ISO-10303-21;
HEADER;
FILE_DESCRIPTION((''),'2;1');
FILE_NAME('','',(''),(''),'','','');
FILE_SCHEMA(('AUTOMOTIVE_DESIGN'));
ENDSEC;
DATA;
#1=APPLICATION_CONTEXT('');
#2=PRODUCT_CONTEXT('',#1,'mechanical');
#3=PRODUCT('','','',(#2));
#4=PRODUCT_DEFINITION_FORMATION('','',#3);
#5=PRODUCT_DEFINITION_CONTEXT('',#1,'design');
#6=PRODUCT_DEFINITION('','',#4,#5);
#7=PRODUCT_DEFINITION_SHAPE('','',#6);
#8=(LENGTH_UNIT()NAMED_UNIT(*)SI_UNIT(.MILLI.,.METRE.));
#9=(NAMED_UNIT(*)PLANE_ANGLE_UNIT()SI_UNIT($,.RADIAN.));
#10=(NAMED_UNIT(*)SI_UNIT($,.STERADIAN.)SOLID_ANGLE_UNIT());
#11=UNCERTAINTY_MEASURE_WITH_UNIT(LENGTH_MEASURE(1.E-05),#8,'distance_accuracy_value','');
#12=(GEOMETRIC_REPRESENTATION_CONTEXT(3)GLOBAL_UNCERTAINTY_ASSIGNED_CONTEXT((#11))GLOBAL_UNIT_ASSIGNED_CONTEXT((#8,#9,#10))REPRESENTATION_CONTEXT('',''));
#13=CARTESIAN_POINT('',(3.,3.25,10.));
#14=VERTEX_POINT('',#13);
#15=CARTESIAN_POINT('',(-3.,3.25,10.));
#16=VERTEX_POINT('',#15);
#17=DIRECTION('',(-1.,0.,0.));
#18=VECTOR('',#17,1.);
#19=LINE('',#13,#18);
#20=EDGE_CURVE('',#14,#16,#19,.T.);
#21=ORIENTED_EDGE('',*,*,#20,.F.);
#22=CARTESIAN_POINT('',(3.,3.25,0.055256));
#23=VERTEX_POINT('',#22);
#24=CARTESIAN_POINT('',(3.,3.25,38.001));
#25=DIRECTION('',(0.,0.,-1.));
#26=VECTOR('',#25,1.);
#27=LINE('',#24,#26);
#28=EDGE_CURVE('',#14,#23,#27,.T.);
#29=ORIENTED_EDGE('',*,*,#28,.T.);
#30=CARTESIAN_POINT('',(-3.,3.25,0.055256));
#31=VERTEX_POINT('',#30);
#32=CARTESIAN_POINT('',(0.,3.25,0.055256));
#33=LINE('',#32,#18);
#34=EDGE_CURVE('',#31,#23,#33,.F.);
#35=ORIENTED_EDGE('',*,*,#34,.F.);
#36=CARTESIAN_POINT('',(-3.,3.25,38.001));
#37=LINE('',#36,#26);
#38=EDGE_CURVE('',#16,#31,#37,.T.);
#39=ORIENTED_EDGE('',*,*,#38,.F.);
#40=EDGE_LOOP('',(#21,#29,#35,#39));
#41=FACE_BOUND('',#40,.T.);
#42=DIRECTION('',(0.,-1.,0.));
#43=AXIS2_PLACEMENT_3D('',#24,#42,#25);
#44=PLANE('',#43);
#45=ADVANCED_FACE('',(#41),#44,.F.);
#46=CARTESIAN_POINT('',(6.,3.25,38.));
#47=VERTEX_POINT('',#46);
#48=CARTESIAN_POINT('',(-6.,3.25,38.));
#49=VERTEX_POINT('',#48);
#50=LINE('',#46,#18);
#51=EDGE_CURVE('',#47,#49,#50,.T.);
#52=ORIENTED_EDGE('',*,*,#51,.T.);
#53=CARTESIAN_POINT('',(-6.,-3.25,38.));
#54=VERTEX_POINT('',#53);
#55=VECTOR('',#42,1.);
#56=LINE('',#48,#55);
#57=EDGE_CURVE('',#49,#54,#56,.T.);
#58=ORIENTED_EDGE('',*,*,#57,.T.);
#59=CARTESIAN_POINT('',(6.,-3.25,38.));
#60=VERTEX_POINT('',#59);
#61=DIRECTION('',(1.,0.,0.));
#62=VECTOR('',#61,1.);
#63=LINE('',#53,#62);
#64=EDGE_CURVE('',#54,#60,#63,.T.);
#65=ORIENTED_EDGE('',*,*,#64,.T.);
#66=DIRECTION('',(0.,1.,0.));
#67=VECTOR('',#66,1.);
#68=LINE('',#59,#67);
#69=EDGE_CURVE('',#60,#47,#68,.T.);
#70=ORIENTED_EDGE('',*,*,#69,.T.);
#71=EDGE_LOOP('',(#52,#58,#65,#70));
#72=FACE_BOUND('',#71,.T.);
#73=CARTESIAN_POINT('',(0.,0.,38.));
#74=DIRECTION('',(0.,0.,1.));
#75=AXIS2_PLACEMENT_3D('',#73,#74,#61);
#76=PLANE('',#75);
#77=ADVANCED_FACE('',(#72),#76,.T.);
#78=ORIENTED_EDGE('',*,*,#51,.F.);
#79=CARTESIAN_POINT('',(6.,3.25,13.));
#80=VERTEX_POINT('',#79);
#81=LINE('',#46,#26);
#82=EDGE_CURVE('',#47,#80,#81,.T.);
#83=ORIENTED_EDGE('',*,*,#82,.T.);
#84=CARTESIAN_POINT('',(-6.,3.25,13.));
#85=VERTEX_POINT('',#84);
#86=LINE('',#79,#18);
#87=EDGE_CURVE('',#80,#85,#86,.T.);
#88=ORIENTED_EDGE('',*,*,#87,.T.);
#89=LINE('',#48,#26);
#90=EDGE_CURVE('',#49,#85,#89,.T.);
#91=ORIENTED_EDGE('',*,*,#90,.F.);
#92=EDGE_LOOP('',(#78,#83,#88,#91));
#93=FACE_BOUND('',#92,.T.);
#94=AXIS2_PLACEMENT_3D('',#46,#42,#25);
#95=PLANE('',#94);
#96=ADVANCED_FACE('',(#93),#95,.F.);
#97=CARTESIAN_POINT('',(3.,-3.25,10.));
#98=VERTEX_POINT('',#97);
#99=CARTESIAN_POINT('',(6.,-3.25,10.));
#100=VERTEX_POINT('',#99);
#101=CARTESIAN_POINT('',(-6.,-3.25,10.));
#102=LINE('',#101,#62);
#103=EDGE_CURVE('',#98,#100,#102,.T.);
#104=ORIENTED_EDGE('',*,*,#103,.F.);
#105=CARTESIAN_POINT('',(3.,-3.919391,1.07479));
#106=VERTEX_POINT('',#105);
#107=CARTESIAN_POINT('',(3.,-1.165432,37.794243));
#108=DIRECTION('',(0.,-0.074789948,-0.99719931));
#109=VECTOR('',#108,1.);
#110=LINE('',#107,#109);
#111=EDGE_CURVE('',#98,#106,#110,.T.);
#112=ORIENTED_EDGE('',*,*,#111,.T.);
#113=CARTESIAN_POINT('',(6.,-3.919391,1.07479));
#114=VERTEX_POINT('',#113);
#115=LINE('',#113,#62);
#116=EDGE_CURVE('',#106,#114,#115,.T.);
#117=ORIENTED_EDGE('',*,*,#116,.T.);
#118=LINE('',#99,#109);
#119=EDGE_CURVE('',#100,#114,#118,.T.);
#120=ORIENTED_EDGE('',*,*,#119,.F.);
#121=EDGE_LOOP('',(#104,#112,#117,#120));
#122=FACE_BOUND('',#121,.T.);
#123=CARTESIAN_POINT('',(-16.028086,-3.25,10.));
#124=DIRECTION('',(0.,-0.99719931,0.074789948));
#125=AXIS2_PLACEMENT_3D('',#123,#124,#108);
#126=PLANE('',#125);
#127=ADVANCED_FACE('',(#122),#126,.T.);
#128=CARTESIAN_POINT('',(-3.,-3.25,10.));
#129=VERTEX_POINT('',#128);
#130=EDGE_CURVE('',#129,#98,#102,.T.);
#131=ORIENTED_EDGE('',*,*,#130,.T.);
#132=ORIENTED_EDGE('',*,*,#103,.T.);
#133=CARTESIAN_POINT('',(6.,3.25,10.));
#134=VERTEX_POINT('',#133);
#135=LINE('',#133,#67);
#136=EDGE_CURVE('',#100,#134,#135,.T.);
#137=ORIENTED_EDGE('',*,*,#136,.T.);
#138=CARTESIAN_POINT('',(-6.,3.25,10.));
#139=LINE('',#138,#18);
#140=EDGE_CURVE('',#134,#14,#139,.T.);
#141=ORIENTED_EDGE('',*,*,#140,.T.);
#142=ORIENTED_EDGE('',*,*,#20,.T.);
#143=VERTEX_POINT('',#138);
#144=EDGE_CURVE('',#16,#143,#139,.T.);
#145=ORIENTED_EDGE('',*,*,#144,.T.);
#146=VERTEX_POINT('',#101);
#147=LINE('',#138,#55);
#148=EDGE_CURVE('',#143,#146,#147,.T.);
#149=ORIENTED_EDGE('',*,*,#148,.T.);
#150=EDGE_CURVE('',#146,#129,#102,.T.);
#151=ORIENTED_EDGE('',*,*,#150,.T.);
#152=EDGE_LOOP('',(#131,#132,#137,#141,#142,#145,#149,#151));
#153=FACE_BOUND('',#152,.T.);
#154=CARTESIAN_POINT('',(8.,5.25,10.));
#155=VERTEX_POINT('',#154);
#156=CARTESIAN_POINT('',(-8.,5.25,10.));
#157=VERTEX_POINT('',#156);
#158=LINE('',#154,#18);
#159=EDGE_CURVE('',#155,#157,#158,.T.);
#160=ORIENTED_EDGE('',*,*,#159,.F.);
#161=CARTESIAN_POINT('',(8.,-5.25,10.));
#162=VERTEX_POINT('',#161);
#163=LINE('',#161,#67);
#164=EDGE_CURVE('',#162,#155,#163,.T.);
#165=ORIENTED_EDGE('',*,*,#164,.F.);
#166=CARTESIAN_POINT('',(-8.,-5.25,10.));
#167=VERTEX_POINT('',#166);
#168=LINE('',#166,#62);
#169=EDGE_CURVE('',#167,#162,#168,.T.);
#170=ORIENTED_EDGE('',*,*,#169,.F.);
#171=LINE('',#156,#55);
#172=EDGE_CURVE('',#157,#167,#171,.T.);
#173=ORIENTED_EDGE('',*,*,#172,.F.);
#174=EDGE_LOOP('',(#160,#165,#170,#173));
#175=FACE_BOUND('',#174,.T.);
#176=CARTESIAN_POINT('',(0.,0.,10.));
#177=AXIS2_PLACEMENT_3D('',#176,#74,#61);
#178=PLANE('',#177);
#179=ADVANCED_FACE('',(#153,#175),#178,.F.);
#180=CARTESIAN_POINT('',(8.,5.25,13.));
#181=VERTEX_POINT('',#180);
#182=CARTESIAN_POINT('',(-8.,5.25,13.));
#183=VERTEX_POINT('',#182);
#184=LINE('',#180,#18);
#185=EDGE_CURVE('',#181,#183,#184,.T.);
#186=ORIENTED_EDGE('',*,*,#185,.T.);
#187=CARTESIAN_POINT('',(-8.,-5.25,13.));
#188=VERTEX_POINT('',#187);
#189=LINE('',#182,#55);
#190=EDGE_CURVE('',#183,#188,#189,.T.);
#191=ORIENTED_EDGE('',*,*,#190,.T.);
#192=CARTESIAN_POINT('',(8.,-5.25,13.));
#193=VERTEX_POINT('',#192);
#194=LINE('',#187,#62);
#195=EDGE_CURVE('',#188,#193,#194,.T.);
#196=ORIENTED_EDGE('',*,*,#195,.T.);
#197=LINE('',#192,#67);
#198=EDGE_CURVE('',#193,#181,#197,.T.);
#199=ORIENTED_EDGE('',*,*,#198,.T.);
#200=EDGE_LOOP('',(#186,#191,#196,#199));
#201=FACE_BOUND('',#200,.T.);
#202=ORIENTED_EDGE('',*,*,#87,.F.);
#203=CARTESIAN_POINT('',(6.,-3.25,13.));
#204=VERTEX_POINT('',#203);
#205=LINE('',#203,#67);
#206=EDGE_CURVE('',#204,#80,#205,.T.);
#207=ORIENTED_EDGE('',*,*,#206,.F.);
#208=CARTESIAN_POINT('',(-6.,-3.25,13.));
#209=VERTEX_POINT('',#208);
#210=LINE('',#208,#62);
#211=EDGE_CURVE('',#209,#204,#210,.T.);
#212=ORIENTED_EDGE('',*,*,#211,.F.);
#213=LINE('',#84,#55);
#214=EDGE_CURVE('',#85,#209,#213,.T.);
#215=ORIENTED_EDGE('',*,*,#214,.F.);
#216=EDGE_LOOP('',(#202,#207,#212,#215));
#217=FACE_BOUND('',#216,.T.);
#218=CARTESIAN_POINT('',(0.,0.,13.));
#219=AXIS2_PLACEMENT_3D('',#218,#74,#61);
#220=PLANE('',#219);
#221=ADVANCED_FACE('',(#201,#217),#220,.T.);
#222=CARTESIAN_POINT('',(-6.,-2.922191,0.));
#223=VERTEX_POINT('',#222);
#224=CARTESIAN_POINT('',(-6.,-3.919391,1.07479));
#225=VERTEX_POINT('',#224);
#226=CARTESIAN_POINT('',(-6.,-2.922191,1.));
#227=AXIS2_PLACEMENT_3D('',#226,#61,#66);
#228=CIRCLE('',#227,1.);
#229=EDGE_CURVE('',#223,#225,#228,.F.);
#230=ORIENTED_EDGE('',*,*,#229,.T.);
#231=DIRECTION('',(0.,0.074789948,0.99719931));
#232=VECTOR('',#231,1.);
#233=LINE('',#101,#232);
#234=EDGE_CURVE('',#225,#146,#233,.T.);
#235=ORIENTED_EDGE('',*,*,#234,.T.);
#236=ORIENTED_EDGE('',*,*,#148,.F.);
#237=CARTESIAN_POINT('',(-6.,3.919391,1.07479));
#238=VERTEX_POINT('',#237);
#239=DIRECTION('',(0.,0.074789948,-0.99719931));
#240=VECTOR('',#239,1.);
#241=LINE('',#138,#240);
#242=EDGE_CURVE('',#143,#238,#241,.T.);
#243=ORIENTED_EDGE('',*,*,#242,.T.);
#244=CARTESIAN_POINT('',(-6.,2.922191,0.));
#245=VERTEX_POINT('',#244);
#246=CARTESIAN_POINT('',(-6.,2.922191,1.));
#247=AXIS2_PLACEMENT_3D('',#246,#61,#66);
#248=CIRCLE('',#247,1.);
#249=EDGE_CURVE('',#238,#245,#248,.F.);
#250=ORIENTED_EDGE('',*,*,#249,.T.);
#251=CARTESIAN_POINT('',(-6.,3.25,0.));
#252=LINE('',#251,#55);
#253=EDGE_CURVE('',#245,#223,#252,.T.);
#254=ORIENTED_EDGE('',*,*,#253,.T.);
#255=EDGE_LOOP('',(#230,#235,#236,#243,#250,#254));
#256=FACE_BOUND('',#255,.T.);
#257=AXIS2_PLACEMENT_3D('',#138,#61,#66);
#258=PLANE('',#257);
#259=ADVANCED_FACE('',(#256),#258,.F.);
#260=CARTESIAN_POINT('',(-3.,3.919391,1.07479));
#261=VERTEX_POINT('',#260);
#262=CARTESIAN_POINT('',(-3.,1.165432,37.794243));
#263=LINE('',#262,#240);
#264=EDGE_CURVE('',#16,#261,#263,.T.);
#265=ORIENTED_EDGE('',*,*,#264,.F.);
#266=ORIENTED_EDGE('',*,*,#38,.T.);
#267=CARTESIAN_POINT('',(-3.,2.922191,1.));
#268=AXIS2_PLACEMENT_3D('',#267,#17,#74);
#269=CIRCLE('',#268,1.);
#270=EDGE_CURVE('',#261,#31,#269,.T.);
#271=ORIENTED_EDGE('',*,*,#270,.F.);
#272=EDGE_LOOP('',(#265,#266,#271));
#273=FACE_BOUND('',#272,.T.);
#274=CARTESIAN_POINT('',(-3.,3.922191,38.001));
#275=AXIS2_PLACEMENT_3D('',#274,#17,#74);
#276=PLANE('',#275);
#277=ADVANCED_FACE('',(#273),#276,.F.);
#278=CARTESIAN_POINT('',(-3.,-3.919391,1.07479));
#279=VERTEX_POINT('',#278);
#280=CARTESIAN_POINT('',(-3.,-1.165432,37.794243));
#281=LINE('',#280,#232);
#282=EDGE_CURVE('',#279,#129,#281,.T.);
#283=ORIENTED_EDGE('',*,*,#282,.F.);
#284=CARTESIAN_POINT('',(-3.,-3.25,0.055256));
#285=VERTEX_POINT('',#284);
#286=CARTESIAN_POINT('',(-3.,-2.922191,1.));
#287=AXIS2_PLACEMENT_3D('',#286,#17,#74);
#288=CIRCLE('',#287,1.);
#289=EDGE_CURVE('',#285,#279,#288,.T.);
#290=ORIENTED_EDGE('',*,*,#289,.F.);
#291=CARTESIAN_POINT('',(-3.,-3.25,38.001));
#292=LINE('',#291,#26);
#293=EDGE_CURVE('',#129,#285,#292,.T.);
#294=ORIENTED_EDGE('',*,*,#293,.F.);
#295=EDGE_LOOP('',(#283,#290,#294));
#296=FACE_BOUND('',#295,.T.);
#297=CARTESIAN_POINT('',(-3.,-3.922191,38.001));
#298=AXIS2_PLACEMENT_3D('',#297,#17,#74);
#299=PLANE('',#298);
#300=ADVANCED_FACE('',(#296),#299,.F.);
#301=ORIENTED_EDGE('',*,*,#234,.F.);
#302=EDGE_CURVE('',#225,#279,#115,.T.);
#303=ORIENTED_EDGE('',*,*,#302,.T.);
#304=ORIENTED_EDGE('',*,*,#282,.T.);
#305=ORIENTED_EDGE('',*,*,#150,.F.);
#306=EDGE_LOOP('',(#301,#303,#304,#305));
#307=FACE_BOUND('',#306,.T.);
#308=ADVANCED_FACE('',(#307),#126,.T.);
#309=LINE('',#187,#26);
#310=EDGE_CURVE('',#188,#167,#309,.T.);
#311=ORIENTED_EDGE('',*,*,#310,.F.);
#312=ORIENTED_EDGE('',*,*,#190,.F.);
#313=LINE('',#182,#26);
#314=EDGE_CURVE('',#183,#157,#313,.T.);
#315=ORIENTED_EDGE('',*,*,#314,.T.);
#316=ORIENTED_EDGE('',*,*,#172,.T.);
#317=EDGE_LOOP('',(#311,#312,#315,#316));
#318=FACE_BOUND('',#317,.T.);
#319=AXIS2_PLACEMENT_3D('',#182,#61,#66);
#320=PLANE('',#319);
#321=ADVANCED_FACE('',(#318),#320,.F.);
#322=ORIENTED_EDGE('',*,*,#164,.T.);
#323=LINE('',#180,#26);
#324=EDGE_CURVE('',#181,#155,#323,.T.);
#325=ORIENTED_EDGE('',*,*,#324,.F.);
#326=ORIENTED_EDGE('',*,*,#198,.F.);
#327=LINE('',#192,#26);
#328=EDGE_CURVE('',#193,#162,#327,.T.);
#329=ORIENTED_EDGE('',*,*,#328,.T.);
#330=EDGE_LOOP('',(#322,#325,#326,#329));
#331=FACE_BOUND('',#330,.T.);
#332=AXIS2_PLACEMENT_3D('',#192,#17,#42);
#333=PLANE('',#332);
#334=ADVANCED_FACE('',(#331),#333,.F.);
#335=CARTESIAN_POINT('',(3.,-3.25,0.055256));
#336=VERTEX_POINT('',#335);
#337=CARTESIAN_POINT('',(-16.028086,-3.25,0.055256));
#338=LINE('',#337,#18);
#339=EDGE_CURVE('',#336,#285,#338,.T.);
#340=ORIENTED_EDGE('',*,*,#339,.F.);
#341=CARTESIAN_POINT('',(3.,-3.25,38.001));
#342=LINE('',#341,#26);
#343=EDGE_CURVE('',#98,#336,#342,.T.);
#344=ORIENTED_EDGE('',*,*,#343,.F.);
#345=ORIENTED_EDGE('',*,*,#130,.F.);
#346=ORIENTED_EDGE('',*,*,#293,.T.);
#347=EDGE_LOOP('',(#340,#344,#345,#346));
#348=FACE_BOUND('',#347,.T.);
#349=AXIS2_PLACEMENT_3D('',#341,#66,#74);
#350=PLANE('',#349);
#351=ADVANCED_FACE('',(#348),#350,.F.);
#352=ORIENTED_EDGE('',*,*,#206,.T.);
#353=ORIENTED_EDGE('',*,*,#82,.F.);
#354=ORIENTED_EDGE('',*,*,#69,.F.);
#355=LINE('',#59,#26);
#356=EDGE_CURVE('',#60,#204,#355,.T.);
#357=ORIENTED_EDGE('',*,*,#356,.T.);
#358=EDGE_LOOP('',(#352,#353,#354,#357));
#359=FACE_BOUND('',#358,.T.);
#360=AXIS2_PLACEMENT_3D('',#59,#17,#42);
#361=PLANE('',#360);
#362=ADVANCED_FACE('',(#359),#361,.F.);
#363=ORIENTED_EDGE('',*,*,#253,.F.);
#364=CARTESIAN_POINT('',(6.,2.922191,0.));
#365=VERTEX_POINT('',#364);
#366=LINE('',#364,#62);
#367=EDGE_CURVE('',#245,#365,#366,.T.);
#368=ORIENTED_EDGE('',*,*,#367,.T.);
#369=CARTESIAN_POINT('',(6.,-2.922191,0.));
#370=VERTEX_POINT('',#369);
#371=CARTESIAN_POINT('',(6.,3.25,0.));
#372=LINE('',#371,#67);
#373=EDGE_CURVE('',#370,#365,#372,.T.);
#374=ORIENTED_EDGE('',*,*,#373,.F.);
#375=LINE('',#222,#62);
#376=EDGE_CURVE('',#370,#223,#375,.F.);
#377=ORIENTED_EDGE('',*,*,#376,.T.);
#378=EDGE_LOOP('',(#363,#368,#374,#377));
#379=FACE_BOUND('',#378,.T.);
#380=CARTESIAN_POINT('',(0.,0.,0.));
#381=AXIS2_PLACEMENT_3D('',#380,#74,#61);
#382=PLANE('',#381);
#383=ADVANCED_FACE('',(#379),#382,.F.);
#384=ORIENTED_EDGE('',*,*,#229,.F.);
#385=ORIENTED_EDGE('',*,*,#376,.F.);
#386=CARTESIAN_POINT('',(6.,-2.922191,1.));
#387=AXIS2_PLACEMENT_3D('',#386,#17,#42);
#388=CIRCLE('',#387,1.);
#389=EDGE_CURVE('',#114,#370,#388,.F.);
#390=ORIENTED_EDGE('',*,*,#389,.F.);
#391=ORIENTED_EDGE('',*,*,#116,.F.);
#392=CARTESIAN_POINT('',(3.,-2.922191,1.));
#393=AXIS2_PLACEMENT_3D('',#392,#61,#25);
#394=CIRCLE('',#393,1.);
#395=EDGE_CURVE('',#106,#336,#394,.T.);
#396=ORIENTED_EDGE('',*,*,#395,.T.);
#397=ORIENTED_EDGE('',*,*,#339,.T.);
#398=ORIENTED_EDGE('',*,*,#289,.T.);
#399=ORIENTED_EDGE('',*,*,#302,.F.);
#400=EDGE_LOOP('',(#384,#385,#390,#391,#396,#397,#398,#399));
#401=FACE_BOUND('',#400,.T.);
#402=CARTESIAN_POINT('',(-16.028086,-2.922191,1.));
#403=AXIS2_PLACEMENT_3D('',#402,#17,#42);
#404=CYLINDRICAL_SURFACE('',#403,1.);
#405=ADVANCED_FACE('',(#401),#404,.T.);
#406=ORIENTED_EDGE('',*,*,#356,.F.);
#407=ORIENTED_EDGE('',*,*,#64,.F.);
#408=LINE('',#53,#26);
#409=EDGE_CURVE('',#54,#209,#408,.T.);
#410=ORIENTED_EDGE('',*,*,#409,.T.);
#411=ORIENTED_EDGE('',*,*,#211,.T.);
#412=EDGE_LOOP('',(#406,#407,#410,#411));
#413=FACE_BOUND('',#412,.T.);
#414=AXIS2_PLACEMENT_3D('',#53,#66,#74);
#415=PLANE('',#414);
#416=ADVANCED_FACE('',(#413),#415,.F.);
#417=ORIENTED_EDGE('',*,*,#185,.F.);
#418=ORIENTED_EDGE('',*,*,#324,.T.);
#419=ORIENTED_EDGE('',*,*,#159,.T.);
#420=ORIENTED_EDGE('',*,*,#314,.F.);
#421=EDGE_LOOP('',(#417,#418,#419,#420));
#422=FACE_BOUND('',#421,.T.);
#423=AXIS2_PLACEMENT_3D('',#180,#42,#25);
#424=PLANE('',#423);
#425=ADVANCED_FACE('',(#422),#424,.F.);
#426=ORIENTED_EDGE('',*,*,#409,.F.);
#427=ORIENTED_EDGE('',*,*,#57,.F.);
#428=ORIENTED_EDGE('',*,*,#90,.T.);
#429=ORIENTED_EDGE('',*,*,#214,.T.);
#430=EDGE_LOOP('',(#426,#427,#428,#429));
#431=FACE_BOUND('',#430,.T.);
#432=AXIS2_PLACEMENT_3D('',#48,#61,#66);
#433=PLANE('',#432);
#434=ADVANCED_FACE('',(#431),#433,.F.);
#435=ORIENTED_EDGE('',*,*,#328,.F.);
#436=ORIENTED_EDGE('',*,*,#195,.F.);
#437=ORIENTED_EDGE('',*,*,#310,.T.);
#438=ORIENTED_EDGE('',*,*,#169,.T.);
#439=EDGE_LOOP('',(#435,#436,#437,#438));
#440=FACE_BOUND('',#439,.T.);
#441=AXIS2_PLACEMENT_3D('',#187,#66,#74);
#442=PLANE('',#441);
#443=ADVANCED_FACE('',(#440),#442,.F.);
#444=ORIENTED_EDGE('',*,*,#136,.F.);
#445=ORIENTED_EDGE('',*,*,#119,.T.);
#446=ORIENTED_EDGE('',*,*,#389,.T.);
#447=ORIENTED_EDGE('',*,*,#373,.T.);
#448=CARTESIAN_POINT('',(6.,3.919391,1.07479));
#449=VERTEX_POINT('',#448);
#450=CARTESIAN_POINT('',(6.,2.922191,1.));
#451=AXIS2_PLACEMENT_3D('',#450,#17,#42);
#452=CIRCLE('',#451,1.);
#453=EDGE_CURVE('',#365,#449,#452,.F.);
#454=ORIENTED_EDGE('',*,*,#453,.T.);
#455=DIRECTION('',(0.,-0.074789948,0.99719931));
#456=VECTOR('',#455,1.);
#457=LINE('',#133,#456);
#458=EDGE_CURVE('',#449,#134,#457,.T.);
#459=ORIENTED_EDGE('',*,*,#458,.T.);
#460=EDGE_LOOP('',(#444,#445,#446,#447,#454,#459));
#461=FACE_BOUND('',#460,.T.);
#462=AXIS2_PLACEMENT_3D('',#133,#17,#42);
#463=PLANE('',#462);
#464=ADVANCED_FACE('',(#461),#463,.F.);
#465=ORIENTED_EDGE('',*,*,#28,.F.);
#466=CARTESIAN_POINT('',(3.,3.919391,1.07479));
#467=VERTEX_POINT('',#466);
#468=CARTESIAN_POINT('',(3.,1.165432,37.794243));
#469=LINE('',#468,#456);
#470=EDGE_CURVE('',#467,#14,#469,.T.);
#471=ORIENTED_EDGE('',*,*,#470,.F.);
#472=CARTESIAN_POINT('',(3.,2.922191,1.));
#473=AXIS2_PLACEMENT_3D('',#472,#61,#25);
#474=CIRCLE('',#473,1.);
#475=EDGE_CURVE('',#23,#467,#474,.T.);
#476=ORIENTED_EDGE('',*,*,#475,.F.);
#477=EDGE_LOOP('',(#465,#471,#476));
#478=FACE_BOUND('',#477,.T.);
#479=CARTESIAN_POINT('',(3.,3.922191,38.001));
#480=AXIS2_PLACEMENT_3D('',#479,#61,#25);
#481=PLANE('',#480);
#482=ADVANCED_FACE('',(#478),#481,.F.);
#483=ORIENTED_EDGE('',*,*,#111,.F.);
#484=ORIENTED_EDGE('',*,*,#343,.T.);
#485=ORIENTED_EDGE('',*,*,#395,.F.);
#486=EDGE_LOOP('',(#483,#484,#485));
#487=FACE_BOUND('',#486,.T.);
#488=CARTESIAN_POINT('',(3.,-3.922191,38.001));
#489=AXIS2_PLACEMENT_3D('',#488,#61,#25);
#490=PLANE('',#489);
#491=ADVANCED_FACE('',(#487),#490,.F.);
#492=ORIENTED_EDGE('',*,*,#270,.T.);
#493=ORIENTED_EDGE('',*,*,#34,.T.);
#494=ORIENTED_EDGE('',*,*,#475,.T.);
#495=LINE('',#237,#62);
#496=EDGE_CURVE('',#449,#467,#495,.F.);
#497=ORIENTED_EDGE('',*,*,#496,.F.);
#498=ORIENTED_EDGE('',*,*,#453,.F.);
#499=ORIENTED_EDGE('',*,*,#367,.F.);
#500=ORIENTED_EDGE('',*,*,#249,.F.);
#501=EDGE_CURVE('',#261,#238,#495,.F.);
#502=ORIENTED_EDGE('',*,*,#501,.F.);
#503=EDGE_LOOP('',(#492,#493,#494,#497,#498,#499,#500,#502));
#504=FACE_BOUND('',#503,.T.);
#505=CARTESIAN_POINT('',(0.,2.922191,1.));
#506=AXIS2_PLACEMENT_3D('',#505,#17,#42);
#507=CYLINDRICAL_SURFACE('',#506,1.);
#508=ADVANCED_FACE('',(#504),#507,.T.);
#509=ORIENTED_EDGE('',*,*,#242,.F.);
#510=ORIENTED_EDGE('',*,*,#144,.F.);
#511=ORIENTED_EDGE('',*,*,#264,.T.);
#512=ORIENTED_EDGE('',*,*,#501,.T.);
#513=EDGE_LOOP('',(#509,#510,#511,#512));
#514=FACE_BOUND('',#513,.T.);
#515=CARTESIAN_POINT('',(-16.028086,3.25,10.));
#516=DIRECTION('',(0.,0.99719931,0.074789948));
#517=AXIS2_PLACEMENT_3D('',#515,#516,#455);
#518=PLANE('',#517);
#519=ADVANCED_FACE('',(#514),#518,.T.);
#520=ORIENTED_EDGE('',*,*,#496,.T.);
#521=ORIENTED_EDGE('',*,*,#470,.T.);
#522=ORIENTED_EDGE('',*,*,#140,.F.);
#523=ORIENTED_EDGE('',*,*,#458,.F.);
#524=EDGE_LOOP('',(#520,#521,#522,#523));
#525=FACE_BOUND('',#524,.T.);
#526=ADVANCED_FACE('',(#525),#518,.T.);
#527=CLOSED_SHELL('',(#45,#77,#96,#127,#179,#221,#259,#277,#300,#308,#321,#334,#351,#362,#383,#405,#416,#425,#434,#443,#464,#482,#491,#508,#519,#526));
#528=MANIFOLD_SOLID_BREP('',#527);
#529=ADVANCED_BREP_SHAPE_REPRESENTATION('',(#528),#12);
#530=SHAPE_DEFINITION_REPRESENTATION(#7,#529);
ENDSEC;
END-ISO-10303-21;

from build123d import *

# Parameters (mm, degrees)
SKETCH1_W           = 12
SKETCH1_H           = 6.5
BOSS_EXTRUDE1_DEPTH = 10
SKETCH2_W           = 16
SKETCH2_H           = 10.5
BOSS_EXTRUDE2_DEPTH = 3
SKETCH3_W           = 12
SKETCH3_H           = 6.5
BOSS_EXTRUDE3_DEPTH = 25
BOSS_EXTRUDE4_DEPTH = 12
FILLET1_R           = 1
CUT_EXTRUDE1_REACH  = 41.186
SKETCH5_W           = 6
SKETCH5_H           = 0.672191444


with BuildPart() as part:
    # Sketch1 → Boss-Extrude1 (new body)
    with BuildSketch(Plane.XY):
        Rectangle(SKETCH1_W, SKETCH1_H)
    extrude(amount=BOSS_EXTRUDE1_DEPTH)

    # Sketch2 → Boss-Extrude2 (add)
    with BuildSketch(Plane.XY.offset(10)):
        Rectangle(SKETCH2_W, SKETCH2_H)
    extrude(amount=BOSS_EXTRUDE2_DEPTH)

    # Sketch3 → Boss-Extrude3 (add)
    with BuildSketch(Plane.XY.offset(13)):
        Rectangle(SKETCH3_W, SKETCH3_H)
    extrude(amount=BOSS_EXTRUDE3_DEPTH)

    # Sketch4 → Boss-Extrude4 (add)
    with BuildSketch(Plane(origin=(6, 0, 0), x_dir=(0, 0, -1), z_dir=(1, 0, 0))):
        Polygon((-10, 3.25), (0, 4), (0, 3.25), align=None)
        Polygon((-10, -3.25), (0, -4), (0, -3.25), align=None)
    extrude(amount=-BOSS_EXTRUDE4_DEPTH)

    # Fillet1
    fillet1_edges = [part.edges().sort_by_distance(p)[0] for p in [
        (0, -4, 0),
        (0, 4, 0),
    ]]
    fillet(fillet1_edges, radius=FILLET1_R)

    # Sketch5 → Cut-Extrude1 (cut, up to next)
    with BuildSketch(Plane(origin=(0, 0, 0), x_dir=(-1, 0, 0), z_dir=(0, 0, -1)), mode=Mode.PRIVATE) as cut_extrude1_sk1:
        with Locations((0, 3.586095722)):
            Rectangle(SKETCH5_W, SKETCH5_H)
    cut_extrude1_tool1 = extrude(cut_extrude1_sk1.sketch, amount=-CUT_EXTRUDE1_REACH, mode=Mode.PRIVATE) & part.part
    # Sketch5 → Cut-Extrude1 (cut, up to next)
    with BuildSketch(Plane(origin=(0, 0, 0), x_dir=(-1, 0, 0), z_dir=(0, 0, -1)), mode=Mode.PRIVATE) as cut_extrude1_sk2:
        with Locations((0, -3.586095722)):
            Rectangle(SKETCH5_W, SKETCH5_H)
    cut_extrude1_tool2 = extrude(cut_extrude1_sk2.sketch, amount=-CUT_EXTRUDE1_REACH, mode=Mode.PRIVATE) & part.part
    add(cut_extrude1_tool1.solids().sort_by_distance((0, 3.586096, 0))[0], mode=Mode.SUBTRACT)
    add(cut_extrude1_tool2.solids().sort_by_distance((0, -3.586096, 0))[0], mode=Mode.SUBTRACT)


solid = part.part
